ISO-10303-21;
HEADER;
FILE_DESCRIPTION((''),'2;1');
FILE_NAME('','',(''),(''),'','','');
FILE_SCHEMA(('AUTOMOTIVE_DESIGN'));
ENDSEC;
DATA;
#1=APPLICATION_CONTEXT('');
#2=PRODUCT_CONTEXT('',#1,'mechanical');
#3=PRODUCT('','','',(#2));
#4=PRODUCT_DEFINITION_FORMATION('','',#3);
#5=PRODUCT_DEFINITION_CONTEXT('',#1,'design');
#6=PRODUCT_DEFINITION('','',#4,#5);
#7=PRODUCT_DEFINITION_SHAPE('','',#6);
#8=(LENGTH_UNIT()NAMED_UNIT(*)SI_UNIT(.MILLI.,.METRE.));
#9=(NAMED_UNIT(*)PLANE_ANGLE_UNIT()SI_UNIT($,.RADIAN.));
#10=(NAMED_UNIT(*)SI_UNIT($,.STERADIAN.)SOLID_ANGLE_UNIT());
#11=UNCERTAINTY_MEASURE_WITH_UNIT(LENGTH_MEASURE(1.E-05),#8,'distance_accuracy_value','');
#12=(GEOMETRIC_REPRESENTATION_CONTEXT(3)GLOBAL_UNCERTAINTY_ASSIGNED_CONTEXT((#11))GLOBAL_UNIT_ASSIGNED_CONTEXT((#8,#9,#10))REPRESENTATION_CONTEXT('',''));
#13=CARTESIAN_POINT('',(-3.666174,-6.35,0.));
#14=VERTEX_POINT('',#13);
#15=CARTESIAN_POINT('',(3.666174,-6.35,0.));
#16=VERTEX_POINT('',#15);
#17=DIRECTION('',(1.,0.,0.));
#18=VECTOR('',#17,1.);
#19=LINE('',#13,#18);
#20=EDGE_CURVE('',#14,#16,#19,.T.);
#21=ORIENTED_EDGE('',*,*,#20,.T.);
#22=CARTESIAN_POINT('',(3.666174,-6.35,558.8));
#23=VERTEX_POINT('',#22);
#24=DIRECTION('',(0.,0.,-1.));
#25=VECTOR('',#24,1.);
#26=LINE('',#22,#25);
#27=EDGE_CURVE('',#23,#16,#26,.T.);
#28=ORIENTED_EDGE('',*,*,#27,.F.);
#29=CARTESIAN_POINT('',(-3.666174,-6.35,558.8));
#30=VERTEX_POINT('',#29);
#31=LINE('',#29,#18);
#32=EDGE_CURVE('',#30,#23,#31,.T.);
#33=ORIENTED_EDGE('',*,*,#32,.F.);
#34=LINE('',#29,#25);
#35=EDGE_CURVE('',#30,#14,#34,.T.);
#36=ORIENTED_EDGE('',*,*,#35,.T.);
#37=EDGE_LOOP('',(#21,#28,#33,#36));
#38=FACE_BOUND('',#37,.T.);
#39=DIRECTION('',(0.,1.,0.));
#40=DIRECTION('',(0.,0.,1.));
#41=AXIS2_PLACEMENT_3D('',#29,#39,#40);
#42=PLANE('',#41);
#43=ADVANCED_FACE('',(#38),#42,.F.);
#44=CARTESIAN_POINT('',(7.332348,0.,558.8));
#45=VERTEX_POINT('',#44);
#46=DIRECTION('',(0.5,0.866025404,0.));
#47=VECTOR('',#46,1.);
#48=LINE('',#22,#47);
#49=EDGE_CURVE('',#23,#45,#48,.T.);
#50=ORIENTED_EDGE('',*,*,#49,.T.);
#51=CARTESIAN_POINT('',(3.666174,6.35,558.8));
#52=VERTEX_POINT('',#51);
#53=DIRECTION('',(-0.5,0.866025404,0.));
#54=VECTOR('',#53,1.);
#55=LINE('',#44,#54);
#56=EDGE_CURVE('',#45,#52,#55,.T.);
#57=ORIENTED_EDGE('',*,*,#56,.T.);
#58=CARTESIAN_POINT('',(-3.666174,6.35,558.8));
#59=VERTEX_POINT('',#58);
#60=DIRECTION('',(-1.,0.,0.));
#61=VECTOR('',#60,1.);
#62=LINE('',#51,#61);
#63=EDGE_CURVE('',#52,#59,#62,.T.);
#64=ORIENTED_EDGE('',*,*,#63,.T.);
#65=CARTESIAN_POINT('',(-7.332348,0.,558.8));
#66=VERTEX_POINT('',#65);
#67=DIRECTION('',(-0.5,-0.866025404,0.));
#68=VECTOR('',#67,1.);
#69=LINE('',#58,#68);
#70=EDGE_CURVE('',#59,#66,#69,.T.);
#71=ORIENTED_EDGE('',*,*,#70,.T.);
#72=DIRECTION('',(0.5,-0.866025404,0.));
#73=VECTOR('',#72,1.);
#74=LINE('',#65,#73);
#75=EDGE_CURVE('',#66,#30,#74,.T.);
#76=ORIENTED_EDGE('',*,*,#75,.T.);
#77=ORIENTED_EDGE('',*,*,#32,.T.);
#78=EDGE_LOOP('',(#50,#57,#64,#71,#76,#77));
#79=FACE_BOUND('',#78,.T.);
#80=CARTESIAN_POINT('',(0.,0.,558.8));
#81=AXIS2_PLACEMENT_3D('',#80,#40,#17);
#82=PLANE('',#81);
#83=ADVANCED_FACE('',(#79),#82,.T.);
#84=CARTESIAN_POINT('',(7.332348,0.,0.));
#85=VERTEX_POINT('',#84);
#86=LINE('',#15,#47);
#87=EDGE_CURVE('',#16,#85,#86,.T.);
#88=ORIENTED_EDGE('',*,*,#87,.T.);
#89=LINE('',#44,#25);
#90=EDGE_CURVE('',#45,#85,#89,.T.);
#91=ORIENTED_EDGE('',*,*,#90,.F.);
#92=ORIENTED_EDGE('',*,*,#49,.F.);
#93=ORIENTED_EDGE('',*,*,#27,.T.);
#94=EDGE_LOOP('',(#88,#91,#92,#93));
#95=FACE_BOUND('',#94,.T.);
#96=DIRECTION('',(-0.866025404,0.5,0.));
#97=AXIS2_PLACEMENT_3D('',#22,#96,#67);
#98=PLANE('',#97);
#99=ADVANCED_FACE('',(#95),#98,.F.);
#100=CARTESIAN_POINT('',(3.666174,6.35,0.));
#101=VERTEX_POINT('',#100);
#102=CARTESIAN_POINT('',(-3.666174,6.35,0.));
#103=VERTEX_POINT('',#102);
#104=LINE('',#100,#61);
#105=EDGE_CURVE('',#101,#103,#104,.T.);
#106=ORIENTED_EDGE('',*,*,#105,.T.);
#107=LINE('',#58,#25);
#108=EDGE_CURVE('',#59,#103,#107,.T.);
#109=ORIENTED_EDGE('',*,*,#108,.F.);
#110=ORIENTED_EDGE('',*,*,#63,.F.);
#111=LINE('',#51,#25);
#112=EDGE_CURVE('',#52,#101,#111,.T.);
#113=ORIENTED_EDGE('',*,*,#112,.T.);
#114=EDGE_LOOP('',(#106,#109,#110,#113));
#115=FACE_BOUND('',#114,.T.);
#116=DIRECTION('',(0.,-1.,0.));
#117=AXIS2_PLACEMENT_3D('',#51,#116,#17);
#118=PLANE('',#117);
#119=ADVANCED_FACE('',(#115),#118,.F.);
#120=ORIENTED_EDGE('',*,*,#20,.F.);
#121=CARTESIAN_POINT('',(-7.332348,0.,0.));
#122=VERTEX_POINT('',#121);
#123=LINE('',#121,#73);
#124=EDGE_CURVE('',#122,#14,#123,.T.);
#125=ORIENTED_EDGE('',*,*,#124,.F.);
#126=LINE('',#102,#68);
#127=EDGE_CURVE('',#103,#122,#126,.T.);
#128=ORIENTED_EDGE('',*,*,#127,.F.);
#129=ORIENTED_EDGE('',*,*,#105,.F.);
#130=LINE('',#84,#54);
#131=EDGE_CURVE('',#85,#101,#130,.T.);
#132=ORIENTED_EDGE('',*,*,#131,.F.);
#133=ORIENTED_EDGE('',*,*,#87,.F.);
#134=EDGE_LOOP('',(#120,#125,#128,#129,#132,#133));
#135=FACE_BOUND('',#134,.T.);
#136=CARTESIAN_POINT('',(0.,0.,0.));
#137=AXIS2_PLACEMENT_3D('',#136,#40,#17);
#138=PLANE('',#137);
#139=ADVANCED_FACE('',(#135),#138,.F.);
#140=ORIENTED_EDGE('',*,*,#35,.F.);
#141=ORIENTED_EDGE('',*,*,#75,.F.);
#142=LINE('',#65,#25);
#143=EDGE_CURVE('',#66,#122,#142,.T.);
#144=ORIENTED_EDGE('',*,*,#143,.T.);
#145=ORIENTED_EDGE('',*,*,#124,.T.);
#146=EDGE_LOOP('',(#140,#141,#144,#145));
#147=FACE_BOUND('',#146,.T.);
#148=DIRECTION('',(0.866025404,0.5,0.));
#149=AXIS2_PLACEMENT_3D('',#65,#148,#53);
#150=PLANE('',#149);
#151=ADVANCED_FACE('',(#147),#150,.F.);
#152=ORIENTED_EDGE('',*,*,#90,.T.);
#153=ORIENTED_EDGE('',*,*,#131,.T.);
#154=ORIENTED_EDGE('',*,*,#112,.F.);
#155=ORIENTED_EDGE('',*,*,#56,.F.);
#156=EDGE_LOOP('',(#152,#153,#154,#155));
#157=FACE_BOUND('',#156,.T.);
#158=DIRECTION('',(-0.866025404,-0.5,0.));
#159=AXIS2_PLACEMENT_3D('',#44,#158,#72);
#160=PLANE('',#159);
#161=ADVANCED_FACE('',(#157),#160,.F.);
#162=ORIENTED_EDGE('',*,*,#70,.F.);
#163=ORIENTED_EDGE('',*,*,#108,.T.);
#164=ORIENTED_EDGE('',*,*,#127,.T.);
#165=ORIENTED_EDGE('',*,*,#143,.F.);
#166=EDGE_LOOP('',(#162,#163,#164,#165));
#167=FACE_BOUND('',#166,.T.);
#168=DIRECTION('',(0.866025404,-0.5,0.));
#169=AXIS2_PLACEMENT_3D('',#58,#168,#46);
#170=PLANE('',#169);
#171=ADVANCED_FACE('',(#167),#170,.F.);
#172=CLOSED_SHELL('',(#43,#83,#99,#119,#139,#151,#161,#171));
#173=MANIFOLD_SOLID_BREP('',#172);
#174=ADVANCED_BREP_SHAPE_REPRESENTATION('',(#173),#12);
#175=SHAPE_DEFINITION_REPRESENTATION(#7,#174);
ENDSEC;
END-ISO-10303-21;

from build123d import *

# Parameters (mm, degrees)
BOSS_EXTRUDE1_DEPTH = 558.8


with BuildPart() as part:
    # Sketch1 → Boss-Extrude1 (new body)
    with BuildSketch(Plane.XY):
        Polygon((3.666174209, -6.35), (7.332348419, 0), (3.666174209, 6.35), (-3.666174209, 6.35), (-7.332348419, 0), (-3.666174209, -6.35), align=None)
    extrude(amount=BOSS_EXTRUDE1_DEPTH)


solid = part.part
